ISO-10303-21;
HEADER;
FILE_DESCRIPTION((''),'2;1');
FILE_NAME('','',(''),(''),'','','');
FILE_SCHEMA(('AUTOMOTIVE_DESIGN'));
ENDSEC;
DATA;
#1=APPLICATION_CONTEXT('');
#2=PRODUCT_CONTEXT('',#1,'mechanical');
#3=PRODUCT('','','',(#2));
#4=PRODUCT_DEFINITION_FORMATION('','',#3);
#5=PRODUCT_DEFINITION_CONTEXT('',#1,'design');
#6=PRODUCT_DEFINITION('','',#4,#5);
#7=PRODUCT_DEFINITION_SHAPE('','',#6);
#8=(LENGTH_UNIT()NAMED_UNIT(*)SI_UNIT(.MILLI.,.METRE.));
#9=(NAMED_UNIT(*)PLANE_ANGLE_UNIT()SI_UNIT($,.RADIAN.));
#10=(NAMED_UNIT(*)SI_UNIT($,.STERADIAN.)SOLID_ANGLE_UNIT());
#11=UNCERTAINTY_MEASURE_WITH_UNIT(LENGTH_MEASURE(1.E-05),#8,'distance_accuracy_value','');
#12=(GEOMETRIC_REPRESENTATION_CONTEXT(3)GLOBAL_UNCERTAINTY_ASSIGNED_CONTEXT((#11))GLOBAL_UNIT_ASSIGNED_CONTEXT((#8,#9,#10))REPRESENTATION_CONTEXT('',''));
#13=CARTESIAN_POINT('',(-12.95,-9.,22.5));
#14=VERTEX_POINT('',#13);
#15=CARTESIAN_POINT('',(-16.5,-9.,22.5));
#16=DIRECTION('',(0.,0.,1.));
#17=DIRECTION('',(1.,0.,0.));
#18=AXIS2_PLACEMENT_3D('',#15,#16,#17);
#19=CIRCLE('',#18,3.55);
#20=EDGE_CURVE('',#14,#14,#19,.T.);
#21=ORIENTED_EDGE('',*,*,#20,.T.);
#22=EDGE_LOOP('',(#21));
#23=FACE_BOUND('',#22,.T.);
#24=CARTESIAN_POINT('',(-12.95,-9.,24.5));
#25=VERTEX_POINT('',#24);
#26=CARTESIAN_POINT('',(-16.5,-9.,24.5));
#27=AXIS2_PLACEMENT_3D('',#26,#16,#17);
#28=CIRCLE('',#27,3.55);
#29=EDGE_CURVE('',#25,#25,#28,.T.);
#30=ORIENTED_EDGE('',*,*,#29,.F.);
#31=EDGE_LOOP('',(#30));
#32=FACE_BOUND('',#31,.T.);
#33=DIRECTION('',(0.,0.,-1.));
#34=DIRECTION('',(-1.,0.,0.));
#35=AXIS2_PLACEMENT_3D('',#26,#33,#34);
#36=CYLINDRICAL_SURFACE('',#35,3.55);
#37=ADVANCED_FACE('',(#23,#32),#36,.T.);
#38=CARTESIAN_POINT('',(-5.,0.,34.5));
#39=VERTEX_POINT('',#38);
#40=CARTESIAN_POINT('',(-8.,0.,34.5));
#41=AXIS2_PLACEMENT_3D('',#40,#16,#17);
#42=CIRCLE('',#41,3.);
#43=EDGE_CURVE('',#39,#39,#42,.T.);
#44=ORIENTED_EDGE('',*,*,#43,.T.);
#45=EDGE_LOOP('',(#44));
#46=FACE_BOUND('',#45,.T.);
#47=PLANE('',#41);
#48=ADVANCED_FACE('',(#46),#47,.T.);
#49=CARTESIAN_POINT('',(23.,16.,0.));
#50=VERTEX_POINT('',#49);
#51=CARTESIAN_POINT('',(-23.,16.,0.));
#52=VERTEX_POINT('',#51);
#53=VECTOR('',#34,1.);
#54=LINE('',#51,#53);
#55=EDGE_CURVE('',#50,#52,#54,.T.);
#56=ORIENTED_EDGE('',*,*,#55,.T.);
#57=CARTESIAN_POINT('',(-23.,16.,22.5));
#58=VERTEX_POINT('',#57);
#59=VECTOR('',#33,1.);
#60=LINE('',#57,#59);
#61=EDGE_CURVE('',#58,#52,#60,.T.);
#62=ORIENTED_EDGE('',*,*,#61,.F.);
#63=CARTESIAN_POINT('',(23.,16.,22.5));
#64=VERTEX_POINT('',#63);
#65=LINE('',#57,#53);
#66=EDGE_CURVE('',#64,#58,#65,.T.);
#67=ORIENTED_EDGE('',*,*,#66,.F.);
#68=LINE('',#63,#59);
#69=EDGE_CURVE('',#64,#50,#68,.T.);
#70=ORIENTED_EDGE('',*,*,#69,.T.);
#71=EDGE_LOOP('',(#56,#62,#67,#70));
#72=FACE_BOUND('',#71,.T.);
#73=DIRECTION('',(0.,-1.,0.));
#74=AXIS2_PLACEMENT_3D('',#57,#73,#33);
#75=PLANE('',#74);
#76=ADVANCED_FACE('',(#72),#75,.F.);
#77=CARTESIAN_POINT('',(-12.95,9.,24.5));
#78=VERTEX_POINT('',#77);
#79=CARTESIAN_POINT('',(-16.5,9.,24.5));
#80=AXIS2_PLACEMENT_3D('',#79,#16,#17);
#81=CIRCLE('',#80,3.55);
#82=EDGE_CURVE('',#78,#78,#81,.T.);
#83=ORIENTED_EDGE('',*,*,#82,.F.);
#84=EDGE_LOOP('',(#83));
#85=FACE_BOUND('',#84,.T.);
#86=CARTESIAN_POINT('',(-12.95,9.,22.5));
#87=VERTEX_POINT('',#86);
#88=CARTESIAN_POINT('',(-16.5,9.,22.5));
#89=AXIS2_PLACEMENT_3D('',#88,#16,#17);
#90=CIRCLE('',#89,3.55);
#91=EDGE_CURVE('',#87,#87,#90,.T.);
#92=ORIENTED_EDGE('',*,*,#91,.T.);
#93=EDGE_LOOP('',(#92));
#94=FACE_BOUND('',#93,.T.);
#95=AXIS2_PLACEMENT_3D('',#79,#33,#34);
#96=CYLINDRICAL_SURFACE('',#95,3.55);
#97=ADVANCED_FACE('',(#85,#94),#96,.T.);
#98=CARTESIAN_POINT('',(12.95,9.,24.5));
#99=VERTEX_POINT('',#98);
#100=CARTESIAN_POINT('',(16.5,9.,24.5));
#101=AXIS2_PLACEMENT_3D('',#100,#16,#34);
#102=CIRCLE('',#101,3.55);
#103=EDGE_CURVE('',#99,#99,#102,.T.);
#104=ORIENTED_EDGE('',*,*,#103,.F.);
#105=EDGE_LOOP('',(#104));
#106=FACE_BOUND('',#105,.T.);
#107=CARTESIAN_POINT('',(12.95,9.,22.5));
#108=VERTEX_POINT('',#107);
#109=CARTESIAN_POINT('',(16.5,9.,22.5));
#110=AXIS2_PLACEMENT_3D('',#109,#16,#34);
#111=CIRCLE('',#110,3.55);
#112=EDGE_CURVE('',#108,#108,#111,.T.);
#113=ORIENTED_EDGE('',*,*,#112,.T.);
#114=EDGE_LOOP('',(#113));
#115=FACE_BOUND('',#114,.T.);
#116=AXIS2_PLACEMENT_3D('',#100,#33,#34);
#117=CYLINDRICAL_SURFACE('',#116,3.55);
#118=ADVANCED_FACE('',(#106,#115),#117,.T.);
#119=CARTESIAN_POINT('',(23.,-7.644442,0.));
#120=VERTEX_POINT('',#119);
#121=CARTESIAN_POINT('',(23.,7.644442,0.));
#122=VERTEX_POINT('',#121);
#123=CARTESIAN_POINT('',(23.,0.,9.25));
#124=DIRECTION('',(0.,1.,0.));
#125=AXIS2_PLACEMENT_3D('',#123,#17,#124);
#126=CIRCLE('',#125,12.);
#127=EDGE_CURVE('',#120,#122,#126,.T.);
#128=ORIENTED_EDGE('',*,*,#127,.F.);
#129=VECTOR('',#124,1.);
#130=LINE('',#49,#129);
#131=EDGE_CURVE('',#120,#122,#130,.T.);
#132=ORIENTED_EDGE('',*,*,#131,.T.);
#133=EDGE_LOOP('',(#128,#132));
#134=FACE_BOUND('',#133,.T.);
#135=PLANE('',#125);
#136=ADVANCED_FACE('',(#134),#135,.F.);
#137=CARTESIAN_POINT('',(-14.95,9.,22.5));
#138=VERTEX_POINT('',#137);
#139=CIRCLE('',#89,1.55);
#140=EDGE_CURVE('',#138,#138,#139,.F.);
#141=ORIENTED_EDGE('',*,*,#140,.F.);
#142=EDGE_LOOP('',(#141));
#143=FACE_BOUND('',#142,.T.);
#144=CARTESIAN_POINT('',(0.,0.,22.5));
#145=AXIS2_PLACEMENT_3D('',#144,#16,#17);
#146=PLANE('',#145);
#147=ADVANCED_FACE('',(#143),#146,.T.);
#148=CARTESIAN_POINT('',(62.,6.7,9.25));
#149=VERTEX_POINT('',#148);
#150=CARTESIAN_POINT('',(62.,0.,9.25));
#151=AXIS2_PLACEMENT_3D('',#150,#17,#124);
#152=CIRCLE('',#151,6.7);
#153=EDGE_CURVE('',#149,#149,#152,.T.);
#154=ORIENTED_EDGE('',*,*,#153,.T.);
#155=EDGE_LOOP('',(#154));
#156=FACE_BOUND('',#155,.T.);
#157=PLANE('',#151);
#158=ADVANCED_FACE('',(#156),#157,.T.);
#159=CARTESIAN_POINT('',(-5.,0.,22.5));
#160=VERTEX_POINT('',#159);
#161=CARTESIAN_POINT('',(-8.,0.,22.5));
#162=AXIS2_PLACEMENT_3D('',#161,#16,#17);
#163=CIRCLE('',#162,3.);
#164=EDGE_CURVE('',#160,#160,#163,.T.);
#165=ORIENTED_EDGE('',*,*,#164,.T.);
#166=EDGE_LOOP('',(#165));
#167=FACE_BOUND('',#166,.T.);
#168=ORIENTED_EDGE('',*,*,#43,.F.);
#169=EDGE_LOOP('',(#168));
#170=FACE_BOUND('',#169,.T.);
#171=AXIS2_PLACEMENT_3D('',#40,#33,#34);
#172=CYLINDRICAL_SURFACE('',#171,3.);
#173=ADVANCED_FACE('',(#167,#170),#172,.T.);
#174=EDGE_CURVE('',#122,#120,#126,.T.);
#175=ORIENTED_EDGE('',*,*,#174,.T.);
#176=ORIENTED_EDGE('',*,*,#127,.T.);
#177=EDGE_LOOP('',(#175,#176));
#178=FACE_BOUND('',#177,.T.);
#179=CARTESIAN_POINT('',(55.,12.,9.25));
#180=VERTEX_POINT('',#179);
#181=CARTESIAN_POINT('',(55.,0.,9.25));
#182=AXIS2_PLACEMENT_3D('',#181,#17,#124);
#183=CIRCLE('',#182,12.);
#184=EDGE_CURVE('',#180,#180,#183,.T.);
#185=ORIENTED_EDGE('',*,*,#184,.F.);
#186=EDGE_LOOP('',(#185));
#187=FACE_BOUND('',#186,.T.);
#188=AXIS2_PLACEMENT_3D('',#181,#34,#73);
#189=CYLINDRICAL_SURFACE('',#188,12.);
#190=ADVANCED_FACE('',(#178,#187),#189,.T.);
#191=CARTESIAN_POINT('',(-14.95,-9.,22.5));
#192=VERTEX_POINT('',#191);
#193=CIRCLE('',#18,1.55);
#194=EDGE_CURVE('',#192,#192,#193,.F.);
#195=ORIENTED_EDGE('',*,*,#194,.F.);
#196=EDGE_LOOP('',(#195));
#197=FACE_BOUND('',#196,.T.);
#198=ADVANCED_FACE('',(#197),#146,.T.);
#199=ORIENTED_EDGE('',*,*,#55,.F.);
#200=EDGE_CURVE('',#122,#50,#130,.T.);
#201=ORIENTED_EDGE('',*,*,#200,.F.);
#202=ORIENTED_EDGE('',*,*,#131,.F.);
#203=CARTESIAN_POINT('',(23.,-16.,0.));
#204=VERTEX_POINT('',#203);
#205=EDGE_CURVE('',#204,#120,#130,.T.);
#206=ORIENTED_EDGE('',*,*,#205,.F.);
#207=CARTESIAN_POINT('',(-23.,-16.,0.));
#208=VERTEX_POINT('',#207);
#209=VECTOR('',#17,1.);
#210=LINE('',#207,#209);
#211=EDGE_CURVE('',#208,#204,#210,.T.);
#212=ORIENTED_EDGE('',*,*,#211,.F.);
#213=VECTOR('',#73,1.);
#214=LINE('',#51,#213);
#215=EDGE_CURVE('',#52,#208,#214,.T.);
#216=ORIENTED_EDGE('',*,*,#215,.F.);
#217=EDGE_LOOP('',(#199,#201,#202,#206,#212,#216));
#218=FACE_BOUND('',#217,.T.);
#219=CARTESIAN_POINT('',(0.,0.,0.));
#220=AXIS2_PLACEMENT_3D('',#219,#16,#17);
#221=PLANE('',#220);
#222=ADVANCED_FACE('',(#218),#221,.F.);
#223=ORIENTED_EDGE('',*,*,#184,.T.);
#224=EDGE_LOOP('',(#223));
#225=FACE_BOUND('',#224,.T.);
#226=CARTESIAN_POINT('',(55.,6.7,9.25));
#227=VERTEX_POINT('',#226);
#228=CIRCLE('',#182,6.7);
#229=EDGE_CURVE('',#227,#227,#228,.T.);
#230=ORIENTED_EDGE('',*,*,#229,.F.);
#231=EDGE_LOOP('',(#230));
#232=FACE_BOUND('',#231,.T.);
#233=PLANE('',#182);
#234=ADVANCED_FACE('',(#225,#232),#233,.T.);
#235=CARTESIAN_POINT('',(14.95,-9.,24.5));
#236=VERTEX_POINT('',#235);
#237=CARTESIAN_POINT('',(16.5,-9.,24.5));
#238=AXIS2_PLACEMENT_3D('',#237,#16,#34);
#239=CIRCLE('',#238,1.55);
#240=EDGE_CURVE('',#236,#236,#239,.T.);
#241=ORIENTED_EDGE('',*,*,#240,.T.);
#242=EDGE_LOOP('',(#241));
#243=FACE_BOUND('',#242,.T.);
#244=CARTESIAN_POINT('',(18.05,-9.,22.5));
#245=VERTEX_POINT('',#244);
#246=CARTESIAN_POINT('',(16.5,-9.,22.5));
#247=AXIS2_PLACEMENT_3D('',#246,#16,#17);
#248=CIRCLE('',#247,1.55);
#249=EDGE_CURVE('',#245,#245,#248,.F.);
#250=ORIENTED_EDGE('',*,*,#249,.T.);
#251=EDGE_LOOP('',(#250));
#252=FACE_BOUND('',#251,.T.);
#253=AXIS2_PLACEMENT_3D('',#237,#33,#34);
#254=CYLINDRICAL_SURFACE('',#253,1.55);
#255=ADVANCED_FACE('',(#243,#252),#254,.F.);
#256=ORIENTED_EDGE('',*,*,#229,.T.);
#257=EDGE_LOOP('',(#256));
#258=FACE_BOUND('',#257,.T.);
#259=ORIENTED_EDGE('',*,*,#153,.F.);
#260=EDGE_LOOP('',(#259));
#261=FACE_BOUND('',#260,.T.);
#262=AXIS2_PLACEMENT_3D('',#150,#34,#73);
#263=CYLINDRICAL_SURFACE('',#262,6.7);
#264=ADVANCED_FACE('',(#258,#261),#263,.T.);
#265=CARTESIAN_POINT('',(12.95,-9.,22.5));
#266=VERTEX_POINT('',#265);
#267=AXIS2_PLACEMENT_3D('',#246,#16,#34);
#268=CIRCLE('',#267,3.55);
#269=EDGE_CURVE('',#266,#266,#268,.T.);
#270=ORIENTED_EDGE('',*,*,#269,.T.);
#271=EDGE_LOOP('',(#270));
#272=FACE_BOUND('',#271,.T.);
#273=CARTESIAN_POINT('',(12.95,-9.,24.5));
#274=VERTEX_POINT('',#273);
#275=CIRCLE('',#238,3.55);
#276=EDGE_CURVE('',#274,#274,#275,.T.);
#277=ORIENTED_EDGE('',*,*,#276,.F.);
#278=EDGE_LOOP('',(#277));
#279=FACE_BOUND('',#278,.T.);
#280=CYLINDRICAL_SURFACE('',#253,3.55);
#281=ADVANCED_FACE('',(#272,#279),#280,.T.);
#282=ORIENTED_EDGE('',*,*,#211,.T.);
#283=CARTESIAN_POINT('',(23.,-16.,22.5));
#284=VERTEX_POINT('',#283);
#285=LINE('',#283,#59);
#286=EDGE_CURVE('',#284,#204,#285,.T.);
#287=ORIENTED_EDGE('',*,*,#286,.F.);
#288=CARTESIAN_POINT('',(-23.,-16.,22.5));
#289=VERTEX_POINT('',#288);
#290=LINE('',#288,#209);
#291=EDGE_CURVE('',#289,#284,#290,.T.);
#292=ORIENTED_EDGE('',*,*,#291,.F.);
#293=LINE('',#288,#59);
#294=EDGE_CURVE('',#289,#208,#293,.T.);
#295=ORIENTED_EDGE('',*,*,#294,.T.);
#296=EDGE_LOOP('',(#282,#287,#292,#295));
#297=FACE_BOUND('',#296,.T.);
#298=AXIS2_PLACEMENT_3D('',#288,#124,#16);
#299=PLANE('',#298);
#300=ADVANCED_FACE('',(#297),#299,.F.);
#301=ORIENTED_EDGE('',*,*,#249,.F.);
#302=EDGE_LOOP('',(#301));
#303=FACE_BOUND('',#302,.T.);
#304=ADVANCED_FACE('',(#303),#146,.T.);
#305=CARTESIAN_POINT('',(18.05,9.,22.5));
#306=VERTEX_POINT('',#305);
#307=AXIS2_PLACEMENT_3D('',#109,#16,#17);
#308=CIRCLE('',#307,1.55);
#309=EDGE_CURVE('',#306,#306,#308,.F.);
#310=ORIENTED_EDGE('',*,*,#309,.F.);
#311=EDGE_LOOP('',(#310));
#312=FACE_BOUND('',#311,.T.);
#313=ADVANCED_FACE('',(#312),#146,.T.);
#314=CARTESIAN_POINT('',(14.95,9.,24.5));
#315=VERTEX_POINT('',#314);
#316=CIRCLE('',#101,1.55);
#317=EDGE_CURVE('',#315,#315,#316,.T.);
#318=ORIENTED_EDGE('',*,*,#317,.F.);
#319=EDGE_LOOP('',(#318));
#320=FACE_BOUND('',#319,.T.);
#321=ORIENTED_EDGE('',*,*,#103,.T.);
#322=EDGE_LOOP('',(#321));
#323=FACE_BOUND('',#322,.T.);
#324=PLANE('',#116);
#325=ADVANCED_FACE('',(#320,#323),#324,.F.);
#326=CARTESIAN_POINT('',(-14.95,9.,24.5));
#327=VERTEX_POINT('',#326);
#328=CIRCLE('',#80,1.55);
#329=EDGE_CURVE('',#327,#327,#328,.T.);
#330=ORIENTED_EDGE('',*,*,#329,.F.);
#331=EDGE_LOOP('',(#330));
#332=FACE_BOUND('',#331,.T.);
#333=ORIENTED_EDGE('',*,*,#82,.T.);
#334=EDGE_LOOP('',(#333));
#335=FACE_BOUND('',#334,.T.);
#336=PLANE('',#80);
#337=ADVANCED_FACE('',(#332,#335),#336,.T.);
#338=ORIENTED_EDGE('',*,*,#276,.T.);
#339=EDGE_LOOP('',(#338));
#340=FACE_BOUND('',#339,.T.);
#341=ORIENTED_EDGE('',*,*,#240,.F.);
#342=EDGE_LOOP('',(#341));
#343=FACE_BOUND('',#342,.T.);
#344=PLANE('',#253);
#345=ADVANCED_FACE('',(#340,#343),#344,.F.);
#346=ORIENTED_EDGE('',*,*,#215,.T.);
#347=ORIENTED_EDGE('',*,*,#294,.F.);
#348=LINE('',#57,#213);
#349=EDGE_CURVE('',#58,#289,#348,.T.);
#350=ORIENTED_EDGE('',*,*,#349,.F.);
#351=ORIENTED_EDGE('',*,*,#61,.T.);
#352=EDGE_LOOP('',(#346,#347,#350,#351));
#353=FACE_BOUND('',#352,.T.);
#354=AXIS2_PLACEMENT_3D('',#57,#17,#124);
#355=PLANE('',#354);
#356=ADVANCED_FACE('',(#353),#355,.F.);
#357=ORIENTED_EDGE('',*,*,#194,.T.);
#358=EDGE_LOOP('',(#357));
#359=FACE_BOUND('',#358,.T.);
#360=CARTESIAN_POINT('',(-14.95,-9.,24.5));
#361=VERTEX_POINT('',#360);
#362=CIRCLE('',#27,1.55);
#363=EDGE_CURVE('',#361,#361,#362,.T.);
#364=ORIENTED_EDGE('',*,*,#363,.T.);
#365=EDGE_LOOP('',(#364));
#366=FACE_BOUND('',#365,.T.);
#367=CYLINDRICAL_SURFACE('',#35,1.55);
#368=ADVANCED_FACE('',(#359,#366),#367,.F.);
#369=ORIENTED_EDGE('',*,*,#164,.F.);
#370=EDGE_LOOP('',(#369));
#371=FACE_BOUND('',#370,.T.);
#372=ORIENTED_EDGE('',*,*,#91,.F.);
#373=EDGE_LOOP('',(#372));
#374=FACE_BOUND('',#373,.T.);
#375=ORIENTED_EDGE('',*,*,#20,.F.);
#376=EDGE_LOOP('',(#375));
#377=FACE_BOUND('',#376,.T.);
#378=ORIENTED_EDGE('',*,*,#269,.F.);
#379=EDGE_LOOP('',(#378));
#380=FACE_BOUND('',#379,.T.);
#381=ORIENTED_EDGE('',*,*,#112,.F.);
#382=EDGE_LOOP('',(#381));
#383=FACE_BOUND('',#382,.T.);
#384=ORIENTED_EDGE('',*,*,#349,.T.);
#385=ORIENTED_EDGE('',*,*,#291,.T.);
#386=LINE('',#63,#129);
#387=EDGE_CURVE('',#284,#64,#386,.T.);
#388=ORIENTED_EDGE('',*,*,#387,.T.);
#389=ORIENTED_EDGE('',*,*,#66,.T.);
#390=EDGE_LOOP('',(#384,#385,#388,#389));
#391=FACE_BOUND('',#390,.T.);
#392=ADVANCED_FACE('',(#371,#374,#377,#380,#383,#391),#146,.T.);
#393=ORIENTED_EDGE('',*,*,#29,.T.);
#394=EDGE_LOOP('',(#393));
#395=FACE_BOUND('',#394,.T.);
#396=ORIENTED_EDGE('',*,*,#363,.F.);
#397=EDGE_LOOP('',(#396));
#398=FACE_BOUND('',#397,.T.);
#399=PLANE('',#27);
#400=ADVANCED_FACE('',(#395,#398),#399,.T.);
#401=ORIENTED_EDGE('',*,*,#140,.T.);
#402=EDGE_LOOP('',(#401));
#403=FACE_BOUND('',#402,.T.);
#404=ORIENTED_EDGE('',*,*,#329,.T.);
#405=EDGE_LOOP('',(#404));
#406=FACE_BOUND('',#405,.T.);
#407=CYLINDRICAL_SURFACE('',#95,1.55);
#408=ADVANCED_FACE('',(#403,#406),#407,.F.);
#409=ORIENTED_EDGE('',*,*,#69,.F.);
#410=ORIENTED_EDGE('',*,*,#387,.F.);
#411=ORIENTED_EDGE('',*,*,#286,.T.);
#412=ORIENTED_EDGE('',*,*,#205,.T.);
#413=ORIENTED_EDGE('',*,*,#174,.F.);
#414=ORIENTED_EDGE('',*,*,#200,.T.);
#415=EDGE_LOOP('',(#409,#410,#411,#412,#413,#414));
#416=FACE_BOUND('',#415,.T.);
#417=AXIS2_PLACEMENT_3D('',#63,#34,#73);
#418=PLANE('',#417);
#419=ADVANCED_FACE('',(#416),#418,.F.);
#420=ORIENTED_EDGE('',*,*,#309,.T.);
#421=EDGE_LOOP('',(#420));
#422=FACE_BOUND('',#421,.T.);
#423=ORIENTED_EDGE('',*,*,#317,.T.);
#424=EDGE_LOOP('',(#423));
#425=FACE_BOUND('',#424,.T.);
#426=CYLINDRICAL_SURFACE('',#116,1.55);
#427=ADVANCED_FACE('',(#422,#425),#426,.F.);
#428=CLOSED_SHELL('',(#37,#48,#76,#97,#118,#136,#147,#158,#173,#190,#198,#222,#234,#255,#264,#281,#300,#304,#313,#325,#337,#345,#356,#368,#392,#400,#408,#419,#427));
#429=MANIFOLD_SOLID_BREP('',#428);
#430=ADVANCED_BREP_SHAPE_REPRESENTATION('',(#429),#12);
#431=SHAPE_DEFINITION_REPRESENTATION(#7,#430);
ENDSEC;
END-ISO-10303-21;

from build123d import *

# Parameters (mm, degrees)
SKETCH2_W           = 46
SKETCH2_H           = 32
BOSS_EXTRUDE1_DEPTH = 22.5
SKETCH3_R           = 3
BOSS_EXTRUDE2_DEPTH = 12
SKETCH4_R           = 3.55
SKETCH4_R_2         = 1.55
BOSS_EXTRUDE3_DEPTH = 2
SKETCH5_R           = 12
BOSS_EXTRUDE4_DEPTH = 32
SKETCH6_R           = 6.7
BOSS_EXTRUDE5_DEPTH = 7


with BuildPart() as part:
    # Sketch2 → Boss-Extrude1 (new body)
    with BuildSketch(Plane.XY):
        Rectangle(SKETCH2_W, SKETCH2_H)
    extrude(amount=BOSS_EXTRUDE1_DEPTH)

    # Sketch3 → Boss-Extrude2 (add)
    with BuildSketch(Plane.XY.offset(22.5)):
        with Locations((-8, 0)):
            Circle(SKETCH3_R)
    extrude(amount=BOSS_EXTRUDE2_DEPTH)

    # Sketch4 → Boss-Extrude3 (add)
    with BuildSketch(Plane.XY.offset(22.5)):
        with Locations((-16.5, 9)):
            Circle(SKETCH4_R)
        with Locations((-16.5, 9)):
            Circle(SKETCH4_R_2, mode=Mode.SUBTRACT)
        with Locations((-16.5, -9)):
            Circle(SKETCH4_R)
        with Locations((-16.5, -9)):
            Circle(SKETCH4_R_2, mode=Mode.SUBTRACT)
        with Locations((16.5, -9)):
            Circle(SKETCH4_R)
        with Locations((16.5, -9)):
            Circle(SKETCH4_R_2, mode=Mode.SUBTRACT)
        with Locations((16.5, 9)):
            Circle(SKETCH4_R)
        with Locations((16.5, 9)):
            Circle(SKETCH4_R_2, mode=Mode.SUBTRACT)
    extrude(amount=BOSS_EXTRUDE3_DEPTH)

    # Sketch5 → Boss-Extrude4 (add)
    with BuildSketch(Plane(origin=(23, 0, 0), x_dir=(0, 0, -1), z_dir=(1, 0, 0))):
        with Locations((-9.25, 0)):
            Circle(SKETCH5_R)
    extrude(amount=BOSS_EXTRUDE4_DEPTH)

    # Sketch6 → Boss-Extrude5 (add)
    with BuildSketch(Plane(origin=(55, 0, 0), x_dir=(0, 0, -1), z_dir=(1, 0, 0))):
        with Locations((-9.25, 0)):
            Circle(SKETCH6_R)
    extrude(amount=BOSS_EXTRUDE5_DEPTH)


solid = part.part
